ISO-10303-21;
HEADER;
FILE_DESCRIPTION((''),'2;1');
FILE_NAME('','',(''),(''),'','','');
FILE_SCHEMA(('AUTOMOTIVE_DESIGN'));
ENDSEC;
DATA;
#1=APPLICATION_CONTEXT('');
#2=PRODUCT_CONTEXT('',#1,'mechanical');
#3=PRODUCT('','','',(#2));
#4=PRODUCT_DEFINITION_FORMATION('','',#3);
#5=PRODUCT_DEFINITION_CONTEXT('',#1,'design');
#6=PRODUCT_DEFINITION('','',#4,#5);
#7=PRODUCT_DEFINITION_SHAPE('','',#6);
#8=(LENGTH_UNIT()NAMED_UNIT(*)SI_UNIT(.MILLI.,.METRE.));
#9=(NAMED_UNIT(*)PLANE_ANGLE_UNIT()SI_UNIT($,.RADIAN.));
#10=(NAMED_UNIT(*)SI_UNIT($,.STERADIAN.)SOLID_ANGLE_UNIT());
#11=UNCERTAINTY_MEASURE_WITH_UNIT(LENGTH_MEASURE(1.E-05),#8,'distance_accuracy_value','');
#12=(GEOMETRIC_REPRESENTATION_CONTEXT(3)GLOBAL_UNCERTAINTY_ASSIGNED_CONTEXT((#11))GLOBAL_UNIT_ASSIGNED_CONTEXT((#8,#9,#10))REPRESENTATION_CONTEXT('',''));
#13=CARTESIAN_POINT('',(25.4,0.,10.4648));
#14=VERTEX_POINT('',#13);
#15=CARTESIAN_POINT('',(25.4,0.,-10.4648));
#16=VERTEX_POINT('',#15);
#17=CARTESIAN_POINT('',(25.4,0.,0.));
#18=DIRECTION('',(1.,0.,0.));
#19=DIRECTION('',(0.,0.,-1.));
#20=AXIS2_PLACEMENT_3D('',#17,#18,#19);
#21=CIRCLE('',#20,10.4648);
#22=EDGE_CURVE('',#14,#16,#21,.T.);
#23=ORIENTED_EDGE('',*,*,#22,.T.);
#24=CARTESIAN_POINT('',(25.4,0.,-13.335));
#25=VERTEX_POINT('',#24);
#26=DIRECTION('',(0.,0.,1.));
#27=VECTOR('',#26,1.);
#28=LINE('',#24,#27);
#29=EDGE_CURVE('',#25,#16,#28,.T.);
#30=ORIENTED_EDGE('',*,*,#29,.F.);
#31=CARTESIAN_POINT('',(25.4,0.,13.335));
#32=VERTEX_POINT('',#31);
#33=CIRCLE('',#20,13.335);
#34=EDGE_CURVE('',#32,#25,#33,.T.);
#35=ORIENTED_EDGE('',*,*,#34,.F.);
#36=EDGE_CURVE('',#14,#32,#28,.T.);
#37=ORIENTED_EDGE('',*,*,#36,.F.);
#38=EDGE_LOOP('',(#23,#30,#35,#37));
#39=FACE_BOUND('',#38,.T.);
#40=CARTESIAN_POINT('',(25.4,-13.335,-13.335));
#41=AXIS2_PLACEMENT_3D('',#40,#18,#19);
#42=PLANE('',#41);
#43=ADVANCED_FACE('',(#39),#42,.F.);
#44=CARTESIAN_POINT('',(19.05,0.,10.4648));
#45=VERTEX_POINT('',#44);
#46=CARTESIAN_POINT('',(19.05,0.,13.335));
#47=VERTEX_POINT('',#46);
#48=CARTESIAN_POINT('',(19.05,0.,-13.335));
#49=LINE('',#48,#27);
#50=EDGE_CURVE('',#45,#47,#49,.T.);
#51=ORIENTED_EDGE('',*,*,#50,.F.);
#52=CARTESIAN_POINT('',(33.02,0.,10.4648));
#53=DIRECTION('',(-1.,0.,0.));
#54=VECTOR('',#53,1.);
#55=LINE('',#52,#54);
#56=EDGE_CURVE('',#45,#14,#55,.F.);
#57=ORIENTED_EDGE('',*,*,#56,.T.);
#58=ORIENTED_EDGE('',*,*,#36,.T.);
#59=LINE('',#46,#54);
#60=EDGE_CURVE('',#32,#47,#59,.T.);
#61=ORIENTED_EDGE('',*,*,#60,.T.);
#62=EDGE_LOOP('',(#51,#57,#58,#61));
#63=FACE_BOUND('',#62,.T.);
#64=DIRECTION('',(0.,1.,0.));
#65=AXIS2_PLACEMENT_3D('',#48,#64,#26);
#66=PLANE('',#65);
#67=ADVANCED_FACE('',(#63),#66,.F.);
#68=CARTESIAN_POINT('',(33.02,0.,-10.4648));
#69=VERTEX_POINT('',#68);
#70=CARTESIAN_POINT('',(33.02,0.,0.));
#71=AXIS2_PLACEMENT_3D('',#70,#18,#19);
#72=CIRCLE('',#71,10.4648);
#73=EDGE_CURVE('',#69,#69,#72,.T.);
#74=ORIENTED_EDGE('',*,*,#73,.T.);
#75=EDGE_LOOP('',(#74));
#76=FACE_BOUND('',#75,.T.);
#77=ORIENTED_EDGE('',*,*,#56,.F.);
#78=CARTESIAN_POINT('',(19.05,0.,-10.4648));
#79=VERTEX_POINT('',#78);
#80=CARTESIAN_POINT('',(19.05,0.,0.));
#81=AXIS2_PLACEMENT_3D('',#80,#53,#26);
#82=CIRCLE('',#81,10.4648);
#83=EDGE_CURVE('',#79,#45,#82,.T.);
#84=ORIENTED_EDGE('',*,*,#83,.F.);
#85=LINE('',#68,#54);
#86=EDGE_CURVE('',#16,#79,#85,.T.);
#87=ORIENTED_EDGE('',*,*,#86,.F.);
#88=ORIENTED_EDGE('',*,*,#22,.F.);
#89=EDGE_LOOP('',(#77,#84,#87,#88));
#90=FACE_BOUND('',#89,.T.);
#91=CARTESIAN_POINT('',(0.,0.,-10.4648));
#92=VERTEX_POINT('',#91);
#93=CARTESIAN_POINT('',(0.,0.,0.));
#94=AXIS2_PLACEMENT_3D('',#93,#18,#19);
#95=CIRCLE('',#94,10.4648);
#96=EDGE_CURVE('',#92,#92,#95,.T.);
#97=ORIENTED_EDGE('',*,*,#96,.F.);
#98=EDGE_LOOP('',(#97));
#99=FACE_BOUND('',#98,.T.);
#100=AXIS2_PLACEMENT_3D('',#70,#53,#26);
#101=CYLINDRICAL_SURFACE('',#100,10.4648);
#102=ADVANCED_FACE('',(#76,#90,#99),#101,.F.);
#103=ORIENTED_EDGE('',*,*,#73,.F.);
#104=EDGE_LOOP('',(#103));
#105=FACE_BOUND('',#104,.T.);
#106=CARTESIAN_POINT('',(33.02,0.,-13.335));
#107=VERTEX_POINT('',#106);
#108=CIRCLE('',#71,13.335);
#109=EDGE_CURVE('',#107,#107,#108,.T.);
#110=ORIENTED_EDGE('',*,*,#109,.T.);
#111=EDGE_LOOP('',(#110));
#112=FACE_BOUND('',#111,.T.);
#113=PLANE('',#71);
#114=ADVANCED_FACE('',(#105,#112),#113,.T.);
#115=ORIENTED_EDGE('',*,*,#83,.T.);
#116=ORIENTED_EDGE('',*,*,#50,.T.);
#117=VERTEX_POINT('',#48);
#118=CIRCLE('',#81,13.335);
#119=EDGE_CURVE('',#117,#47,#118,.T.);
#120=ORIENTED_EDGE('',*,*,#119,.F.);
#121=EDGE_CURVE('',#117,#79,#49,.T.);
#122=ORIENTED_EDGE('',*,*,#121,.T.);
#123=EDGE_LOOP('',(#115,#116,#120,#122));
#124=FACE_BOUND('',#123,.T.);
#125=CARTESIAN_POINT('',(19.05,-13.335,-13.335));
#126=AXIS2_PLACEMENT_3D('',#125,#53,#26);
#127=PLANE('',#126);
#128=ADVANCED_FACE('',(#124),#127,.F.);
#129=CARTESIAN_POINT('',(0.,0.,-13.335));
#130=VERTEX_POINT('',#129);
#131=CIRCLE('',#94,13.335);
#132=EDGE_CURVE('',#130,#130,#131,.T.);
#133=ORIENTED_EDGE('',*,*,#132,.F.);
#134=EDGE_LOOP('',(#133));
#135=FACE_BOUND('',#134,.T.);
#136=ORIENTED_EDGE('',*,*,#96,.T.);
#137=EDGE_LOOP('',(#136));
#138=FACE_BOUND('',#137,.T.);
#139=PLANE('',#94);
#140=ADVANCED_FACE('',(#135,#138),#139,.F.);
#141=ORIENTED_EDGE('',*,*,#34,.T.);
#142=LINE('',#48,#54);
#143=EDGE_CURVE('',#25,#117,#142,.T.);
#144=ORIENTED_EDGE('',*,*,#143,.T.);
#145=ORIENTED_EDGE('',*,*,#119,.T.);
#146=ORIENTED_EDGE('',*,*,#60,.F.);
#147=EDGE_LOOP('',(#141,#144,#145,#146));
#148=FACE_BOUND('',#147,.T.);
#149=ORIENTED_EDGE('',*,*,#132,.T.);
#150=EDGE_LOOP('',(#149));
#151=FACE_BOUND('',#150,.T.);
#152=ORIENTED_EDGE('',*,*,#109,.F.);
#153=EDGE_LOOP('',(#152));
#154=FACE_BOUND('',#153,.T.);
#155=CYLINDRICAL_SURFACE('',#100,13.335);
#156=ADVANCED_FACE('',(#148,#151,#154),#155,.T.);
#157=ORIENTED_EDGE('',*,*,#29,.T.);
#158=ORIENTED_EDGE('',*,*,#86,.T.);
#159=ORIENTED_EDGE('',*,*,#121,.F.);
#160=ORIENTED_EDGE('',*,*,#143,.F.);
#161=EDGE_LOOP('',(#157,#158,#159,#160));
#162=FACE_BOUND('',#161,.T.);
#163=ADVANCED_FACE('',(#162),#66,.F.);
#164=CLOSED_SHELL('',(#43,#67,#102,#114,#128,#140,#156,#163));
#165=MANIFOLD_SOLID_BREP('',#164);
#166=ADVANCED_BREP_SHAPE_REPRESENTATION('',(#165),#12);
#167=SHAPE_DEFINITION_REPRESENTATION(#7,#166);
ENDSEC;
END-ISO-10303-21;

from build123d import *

# Parameters (mm, degrees)
SKETCH1_R               = 13.335
SKETCH1_R_2             = 10.4648
BOSS_EXTRUDE1_DEPTH     = 33.02
SKETCH2_W               = 6.35
SKETCH2_H               = 13.335
CUT_EXTRUDE1_DEPTH      = 14.335
CUT_EXTRUDE1_DEPTH_BACK = 14.335


with BuildPart() as part:
    # Sketch1 → Boss-Extrude1 (new body)
    with BuildSketch(Plane(origin=(0, 0, 0), x_dir=(0, 0, -1), z_dir=(1, 0, 0))):
        Circle(SKETCH1_R)
        Circle(SKETCH1_R_2, mode=Mode.SUBTRACT)
    extrude(amount=BOSS_EXTRUDE1_DEPTH)

    # Sketch2 → Cut-Extrude1 (cut, two sides)
    with BuildSketch(Plane.XY) as cut_extrude1_sk:
        with Locations((22.225, -6.6675)):
            Rectangle(SKETCH2_W, SKETCH2_H)
    extrude(amount=CUT_EXTRUDE1_DEPTH, mode=Mode.SUBTRACT)
    extrude(cut_extrude1_sk.sketch, amount=-CUT_EXTRUDE1_DEPTH_BACK, mode=Mode.SUBTRACT)


solid = part.part
